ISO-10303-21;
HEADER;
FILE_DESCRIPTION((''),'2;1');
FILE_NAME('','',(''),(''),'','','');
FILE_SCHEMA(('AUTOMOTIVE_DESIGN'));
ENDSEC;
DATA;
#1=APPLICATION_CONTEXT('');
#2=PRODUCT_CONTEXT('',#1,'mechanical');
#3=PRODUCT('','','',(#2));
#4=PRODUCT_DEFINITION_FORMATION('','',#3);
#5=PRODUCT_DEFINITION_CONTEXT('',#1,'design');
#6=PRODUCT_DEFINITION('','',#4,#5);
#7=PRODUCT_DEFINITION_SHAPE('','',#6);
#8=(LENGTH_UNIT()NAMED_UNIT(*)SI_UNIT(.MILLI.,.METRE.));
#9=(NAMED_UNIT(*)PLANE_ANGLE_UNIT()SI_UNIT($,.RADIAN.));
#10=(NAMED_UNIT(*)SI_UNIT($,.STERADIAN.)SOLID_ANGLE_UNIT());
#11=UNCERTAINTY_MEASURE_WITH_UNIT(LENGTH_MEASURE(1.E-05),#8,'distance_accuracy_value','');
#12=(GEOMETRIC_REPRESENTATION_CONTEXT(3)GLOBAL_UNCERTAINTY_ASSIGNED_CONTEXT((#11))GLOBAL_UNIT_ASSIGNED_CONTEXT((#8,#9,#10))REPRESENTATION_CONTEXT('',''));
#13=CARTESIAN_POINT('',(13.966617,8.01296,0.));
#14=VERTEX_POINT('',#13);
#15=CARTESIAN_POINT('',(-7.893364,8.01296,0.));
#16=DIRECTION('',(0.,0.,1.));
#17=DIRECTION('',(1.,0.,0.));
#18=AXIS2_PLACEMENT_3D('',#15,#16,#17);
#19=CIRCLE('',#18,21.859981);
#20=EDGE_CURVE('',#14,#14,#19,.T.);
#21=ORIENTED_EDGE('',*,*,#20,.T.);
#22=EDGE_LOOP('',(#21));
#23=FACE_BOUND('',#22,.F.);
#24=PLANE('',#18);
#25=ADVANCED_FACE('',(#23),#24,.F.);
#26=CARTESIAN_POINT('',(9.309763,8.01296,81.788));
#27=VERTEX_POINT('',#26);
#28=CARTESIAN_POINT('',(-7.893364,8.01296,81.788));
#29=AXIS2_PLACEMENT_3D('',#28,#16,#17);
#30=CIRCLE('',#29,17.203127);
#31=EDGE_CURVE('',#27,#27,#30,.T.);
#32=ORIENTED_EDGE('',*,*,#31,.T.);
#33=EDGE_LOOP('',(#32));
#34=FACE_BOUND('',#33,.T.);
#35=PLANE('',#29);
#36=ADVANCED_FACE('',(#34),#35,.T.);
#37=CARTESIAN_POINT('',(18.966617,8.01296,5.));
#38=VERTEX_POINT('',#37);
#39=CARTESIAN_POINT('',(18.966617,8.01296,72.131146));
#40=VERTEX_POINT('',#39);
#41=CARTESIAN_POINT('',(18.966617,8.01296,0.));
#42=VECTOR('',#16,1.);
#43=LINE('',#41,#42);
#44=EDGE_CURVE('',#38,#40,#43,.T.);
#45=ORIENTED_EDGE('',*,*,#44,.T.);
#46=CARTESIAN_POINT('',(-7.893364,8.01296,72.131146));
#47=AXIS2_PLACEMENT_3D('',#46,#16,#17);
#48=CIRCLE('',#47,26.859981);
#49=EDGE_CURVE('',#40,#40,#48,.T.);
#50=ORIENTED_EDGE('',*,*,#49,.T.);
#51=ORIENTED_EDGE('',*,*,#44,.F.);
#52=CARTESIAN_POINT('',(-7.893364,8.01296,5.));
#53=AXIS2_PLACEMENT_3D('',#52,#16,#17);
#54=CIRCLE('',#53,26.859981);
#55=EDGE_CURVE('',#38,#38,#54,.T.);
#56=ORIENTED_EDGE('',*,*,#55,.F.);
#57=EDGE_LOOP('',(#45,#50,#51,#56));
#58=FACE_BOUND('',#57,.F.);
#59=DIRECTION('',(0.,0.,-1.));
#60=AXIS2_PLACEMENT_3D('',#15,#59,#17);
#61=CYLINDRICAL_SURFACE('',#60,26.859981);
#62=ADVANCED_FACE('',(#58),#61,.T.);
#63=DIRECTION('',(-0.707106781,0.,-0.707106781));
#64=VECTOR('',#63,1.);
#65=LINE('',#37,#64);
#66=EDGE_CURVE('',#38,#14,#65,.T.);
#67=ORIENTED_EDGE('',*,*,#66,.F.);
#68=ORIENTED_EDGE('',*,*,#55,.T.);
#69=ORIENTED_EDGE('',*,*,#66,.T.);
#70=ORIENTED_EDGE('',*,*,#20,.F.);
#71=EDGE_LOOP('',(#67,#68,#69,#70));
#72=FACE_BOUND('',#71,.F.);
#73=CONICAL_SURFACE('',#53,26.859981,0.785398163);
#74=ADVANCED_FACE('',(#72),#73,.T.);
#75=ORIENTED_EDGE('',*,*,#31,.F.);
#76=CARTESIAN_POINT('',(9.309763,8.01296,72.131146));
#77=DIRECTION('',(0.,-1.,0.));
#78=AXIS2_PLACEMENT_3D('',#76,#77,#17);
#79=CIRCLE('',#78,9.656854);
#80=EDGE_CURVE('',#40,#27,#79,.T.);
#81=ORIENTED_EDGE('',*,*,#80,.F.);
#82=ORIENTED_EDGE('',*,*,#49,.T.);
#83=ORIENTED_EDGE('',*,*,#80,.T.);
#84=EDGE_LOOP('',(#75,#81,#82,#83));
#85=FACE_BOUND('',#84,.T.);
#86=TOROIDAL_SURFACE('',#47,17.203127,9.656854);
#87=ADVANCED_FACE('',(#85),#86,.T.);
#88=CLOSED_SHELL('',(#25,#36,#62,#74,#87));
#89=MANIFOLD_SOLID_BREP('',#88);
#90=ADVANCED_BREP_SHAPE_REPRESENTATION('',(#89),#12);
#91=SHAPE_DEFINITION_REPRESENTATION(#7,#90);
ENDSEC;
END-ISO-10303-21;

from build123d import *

# Parameters (mm, degrees)
F0_R     = 26.859981
F1_DEPTH = 81.788
F2_R     = 9.656854
F3_SIZE  = 5


with BuildPart() as f1:
    # F0 (on Top) → F1 (new body)
    with BuildSketch(Plane.XY):
        with Locations((-7.893364, 8.01296)):
            Circle(F0_R)
    extrude(amount=F1_DEPTH)

    # F2
    f2_edges = [f1.edges().sort_by_distance(p)[0] for p in [
        (-34.753345, 8.01296, 81.788),
    ]]
    fillet(f2_edges, radius=F2_R)

    # F3
    f3_edges = [f1.edges().sort_by_distance(p)[0] for p in [
        (-34.753345, 8.01296, 0),
    ]]
    chamfer(f3_edges, length=F3_SIZE)


solid = f1.part
